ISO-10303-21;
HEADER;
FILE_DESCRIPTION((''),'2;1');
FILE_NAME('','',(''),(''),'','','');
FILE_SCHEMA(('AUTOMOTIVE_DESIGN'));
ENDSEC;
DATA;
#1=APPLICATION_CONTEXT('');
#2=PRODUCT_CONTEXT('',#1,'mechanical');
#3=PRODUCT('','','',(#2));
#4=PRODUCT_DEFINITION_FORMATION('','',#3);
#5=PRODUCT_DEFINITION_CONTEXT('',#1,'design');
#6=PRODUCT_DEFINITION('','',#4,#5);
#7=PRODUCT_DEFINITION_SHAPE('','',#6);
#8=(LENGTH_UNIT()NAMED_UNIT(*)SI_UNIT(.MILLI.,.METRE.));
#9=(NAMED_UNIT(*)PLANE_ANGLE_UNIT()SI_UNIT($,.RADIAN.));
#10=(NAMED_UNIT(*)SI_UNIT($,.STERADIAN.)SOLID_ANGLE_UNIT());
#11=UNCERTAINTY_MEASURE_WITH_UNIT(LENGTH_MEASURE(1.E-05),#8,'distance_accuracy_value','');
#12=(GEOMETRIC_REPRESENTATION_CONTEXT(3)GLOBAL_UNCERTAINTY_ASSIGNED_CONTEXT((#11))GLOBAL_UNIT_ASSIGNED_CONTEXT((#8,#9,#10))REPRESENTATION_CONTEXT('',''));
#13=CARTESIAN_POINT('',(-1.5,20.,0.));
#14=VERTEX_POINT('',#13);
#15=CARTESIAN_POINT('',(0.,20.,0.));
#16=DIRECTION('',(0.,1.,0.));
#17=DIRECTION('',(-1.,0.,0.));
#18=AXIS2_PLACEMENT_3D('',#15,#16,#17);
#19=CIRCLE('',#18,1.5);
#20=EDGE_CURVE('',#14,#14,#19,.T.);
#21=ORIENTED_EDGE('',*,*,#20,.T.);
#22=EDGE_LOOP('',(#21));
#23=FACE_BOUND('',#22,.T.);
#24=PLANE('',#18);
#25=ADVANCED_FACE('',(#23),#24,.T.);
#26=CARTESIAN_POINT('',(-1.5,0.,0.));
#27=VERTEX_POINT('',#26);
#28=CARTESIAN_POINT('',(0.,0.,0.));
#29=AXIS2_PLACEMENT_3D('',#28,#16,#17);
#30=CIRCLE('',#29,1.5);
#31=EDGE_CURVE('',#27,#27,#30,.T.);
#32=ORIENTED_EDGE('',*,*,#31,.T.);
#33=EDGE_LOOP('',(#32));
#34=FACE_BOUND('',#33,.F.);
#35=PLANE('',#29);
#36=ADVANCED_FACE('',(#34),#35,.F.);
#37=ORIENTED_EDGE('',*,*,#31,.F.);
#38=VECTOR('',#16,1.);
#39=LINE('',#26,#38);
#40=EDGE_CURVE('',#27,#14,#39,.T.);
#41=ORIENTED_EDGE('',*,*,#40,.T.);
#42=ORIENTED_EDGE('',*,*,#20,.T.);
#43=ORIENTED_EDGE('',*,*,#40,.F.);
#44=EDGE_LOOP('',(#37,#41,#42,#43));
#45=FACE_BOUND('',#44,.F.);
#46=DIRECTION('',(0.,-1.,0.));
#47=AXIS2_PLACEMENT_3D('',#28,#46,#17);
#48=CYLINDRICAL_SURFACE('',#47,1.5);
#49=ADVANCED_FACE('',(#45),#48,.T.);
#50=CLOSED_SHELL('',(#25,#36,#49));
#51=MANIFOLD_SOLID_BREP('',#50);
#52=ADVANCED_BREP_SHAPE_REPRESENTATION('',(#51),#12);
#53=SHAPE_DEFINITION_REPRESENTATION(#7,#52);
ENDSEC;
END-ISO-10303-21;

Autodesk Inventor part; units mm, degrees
ref_plane "YZ Plane" through (0, 0, 0) normal (1, 0, 0) x (0, 1, 0)
ref_plane "XZ Plane" through (0, 0, 0) normal (0, 1, 0) x (-1, 0, 0)
ref_plane "XY Plane" through (0, 0, 0) normal (0, 0, 1) x (1, 0, 0)
sketch "スケッチ1" plane through (0, 0, 0) normal (0, 1, 0) x (-1, 0, 0)
  circle A0 centre (0, 0) radius 1.5
  dimension "d0" = 3
extrude "押し出し1" add sketch "スケッチ1" along normal blind 20
properties part number "washer" material "シルバー"
